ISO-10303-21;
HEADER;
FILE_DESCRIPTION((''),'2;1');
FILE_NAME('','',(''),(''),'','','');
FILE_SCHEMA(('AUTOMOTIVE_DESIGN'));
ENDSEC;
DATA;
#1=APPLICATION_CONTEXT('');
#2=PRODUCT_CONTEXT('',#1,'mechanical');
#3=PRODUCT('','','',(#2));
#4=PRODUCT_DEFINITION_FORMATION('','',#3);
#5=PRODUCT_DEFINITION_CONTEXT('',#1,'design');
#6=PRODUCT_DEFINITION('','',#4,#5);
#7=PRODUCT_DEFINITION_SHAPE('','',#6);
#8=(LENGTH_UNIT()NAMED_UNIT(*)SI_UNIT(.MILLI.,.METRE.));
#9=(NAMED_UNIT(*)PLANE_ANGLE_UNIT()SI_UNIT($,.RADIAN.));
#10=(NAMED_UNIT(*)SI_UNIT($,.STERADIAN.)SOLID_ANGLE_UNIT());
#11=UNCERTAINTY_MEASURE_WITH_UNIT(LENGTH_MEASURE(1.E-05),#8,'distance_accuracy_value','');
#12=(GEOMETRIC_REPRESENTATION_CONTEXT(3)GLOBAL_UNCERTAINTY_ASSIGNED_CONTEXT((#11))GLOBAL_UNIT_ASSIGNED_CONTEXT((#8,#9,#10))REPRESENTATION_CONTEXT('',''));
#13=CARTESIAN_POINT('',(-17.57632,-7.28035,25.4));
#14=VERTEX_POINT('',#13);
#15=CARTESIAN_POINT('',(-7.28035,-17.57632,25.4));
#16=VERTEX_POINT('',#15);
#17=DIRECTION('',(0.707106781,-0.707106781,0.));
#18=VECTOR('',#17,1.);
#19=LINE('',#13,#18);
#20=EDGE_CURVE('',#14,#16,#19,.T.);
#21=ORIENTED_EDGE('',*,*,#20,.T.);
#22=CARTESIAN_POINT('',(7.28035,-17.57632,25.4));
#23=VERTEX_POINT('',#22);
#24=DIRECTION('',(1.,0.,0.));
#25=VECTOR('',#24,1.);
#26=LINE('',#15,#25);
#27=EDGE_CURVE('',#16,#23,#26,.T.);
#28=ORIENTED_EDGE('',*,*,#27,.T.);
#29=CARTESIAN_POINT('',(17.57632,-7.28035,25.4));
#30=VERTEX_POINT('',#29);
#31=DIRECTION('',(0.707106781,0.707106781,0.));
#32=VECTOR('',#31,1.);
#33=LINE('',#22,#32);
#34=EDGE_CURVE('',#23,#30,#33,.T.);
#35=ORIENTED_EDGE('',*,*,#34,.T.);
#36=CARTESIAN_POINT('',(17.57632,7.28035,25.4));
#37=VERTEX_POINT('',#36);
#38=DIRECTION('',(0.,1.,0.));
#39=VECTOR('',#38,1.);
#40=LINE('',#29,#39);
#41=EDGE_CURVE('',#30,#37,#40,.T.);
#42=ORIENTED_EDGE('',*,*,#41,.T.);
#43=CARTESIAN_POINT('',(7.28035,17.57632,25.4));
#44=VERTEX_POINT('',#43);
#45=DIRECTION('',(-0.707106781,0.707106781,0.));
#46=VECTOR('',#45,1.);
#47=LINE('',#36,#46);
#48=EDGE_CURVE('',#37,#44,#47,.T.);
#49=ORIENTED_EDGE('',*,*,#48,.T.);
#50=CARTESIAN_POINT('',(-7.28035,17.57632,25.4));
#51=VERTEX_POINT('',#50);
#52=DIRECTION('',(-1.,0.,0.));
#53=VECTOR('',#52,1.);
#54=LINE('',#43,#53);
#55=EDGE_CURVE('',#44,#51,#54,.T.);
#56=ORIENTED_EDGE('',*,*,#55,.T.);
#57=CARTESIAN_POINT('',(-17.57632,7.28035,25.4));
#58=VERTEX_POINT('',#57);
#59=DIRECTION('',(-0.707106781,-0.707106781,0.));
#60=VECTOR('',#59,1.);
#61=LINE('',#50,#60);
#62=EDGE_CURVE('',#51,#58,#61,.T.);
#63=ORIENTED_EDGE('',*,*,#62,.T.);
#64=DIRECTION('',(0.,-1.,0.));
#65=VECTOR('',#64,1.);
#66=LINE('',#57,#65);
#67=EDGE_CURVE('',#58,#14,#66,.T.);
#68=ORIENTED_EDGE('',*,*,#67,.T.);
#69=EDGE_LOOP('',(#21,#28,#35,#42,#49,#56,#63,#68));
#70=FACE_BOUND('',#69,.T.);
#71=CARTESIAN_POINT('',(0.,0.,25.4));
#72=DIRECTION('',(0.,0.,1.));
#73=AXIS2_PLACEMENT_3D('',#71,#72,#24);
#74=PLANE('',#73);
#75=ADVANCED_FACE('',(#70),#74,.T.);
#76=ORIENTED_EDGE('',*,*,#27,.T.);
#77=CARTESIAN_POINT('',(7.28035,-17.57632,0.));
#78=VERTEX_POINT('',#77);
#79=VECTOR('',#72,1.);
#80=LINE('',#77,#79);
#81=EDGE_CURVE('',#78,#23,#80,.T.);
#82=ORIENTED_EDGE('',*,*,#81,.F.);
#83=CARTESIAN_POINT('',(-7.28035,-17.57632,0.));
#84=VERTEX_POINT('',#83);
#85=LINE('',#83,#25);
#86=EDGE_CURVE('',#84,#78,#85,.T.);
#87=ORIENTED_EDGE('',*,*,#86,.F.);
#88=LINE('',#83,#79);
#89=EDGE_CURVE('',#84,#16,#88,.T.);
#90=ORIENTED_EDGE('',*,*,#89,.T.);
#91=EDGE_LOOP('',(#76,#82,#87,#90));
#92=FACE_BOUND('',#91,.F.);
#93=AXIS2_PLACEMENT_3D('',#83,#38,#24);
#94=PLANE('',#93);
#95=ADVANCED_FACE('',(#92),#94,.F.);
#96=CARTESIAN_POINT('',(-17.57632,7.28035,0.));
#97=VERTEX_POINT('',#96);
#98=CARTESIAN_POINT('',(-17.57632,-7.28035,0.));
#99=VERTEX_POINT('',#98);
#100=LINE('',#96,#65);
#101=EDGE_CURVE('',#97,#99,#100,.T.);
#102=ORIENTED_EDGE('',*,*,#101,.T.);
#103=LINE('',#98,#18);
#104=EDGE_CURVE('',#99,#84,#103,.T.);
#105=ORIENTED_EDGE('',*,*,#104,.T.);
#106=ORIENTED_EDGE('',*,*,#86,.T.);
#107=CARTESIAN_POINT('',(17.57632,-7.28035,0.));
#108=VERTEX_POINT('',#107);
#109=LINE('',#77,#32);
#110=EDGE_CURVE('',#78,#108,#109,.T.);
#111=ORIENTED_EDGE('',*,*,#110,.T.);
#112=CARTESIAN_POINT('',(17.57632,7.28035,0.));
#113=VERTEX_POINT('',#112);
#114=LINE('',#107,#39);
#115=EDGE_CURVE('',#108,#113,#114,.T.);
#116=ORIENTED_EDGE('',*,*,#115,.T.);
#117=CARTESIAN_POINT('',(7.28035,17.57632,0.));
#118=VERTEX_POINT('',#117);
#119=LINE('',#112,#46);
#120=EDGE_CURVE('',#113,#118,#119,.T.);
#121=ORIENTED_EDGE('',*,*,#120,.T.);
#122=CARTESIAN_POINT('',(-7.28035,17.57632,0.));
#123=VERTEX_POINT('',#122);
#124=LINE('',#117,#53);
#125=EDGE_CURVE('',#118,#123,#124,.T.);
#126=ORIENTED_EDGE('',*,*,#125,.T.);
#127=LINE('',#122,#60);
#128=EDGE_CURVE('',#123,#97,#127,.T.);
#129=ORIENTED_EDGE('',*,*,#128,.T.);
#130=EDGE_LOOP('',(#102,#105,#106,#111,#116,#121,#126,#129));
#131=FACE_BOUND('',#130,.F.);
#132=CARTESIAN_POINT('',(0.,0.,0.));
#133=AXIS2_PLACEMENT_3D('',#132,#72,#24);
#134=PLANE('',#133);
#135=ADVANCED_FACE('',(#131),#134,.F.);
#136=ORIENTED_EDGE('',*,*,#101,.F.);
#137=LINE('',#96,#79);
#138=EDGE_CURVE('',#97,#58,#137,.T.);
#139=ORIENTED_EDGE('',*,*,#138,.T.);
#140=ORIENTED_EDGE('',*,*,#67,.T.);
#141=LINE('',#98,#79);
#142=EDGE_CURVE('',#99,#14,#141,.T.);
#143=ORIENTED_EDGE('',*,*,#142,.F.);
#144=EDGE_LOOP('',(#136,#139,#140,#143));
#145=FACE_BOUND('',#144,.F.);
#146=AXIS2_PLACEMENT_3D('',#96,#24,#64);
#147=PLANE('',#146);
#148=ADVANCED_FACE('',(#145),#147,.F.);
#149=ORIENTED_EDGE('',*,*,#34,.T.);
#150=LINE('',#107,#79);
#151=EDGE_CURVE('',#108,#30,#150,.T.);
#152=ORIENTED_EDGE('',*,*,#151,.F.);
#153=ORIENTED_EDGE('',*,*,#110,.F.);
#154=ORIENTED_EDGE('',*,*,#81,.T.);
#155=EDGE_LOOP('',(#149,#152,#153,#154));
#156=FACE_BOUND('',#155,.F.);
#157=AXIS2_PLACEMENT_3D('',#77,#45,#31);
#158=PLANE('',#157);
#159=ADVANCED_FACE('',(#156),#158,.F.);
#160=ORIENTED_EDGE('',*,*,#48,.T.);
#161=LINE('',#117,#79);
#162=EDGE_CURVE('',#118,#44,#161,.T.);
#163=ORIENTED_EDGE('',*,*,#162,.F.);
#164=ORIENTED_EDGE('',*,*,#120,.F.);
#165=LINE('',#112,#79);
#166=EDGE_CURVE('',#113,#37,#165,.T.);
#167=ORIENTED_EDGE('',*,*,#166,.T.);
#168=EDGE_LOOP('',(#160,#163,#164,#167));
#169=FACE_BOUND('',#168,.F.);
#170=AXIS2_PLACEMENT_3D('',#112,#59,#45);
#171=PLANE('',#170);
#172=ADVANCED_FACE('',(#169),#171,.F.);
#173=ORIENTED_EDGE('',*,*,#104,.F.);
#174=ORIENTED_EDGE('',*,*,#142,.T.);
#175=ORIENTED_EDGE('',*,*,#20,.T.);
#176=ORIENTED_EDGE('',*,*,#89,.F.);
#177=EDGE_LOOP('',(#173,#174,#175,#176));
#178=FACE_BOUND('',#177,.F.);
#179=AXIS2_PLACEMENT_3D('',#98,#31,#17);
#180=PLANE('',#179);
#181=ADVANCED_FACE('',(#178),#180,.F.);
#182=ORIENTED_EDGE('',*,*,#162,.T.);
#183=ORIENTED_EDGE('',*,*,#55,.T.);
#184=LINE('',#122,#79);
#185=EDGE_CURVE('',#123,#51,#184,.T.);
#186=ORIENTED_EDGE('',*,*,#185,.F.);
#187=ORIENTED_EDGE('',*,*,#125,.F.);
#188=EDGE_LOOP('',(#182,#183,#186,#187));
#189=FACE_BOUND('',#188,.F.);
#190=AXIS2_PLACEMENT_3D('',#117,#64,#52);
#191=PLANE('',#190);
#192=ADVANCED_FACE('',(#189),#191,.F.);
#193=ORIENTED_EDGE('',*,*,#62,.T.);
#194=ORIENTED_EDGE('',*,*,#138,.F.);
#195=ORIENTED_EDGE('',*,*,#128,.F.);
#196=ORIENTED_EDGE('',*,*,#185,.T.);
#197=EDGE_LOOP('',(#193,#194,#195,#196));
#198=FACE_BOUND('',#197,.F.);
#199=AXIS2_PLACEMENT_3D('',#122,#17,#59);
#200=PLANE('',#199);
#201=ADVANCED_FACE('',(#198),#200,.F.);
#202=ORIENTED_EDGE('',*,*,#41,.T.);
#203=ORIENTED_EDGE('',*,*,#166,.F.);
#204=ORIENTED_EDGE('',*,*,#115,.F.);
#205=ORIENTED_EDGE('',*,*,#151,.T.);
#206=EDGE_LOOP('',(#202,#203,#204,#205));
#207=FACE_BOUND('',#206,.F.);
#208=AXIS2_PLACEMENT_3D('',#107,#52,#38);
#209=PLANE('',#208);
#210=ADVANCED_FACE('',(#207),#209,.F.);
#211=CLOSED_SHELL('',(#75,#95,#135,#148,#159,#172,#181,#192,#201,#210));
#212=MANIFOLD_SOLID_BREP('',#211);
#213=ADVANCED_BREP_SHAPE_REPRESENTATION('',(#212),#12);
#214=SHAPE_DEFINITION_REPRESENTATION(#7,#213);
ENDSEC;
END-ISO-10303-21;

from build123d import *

# Parameters (mm, degrees)
F1_DEPTH = 25.4
F3_DEPTH = 25.4


with BuildPart() as f1:
    # F0 (on Top) → F1 (new body)
    with BuildSketch(Plane.XY):
        Polygon((17.57632, -7.28035), (17.57632, 7.28035), (7.28035, 17.57632), (-7.28035, 17.57632), (-17.57632, 7.28035), (-17.57632, -7.28035), (-7.28035, -17.57632), (7.28035, -17.57632), align=None)
    extrude(amount=F1_DEPTH)

    # F2 (on Top) → F3 (join)
    with BuildSketch(Plane.XY):
        Polygon((14.142192, -0.699994), (9.36479, 10.620372), (-2.46449, 13.943381), (-12.437959, 6.76674), (-13.045391, -5.505394), (-3.829378, -13.631854), (8.270235, -11.49325), align=None)
    extrude(amount=F3_DEPTH)


solid = f1.part
